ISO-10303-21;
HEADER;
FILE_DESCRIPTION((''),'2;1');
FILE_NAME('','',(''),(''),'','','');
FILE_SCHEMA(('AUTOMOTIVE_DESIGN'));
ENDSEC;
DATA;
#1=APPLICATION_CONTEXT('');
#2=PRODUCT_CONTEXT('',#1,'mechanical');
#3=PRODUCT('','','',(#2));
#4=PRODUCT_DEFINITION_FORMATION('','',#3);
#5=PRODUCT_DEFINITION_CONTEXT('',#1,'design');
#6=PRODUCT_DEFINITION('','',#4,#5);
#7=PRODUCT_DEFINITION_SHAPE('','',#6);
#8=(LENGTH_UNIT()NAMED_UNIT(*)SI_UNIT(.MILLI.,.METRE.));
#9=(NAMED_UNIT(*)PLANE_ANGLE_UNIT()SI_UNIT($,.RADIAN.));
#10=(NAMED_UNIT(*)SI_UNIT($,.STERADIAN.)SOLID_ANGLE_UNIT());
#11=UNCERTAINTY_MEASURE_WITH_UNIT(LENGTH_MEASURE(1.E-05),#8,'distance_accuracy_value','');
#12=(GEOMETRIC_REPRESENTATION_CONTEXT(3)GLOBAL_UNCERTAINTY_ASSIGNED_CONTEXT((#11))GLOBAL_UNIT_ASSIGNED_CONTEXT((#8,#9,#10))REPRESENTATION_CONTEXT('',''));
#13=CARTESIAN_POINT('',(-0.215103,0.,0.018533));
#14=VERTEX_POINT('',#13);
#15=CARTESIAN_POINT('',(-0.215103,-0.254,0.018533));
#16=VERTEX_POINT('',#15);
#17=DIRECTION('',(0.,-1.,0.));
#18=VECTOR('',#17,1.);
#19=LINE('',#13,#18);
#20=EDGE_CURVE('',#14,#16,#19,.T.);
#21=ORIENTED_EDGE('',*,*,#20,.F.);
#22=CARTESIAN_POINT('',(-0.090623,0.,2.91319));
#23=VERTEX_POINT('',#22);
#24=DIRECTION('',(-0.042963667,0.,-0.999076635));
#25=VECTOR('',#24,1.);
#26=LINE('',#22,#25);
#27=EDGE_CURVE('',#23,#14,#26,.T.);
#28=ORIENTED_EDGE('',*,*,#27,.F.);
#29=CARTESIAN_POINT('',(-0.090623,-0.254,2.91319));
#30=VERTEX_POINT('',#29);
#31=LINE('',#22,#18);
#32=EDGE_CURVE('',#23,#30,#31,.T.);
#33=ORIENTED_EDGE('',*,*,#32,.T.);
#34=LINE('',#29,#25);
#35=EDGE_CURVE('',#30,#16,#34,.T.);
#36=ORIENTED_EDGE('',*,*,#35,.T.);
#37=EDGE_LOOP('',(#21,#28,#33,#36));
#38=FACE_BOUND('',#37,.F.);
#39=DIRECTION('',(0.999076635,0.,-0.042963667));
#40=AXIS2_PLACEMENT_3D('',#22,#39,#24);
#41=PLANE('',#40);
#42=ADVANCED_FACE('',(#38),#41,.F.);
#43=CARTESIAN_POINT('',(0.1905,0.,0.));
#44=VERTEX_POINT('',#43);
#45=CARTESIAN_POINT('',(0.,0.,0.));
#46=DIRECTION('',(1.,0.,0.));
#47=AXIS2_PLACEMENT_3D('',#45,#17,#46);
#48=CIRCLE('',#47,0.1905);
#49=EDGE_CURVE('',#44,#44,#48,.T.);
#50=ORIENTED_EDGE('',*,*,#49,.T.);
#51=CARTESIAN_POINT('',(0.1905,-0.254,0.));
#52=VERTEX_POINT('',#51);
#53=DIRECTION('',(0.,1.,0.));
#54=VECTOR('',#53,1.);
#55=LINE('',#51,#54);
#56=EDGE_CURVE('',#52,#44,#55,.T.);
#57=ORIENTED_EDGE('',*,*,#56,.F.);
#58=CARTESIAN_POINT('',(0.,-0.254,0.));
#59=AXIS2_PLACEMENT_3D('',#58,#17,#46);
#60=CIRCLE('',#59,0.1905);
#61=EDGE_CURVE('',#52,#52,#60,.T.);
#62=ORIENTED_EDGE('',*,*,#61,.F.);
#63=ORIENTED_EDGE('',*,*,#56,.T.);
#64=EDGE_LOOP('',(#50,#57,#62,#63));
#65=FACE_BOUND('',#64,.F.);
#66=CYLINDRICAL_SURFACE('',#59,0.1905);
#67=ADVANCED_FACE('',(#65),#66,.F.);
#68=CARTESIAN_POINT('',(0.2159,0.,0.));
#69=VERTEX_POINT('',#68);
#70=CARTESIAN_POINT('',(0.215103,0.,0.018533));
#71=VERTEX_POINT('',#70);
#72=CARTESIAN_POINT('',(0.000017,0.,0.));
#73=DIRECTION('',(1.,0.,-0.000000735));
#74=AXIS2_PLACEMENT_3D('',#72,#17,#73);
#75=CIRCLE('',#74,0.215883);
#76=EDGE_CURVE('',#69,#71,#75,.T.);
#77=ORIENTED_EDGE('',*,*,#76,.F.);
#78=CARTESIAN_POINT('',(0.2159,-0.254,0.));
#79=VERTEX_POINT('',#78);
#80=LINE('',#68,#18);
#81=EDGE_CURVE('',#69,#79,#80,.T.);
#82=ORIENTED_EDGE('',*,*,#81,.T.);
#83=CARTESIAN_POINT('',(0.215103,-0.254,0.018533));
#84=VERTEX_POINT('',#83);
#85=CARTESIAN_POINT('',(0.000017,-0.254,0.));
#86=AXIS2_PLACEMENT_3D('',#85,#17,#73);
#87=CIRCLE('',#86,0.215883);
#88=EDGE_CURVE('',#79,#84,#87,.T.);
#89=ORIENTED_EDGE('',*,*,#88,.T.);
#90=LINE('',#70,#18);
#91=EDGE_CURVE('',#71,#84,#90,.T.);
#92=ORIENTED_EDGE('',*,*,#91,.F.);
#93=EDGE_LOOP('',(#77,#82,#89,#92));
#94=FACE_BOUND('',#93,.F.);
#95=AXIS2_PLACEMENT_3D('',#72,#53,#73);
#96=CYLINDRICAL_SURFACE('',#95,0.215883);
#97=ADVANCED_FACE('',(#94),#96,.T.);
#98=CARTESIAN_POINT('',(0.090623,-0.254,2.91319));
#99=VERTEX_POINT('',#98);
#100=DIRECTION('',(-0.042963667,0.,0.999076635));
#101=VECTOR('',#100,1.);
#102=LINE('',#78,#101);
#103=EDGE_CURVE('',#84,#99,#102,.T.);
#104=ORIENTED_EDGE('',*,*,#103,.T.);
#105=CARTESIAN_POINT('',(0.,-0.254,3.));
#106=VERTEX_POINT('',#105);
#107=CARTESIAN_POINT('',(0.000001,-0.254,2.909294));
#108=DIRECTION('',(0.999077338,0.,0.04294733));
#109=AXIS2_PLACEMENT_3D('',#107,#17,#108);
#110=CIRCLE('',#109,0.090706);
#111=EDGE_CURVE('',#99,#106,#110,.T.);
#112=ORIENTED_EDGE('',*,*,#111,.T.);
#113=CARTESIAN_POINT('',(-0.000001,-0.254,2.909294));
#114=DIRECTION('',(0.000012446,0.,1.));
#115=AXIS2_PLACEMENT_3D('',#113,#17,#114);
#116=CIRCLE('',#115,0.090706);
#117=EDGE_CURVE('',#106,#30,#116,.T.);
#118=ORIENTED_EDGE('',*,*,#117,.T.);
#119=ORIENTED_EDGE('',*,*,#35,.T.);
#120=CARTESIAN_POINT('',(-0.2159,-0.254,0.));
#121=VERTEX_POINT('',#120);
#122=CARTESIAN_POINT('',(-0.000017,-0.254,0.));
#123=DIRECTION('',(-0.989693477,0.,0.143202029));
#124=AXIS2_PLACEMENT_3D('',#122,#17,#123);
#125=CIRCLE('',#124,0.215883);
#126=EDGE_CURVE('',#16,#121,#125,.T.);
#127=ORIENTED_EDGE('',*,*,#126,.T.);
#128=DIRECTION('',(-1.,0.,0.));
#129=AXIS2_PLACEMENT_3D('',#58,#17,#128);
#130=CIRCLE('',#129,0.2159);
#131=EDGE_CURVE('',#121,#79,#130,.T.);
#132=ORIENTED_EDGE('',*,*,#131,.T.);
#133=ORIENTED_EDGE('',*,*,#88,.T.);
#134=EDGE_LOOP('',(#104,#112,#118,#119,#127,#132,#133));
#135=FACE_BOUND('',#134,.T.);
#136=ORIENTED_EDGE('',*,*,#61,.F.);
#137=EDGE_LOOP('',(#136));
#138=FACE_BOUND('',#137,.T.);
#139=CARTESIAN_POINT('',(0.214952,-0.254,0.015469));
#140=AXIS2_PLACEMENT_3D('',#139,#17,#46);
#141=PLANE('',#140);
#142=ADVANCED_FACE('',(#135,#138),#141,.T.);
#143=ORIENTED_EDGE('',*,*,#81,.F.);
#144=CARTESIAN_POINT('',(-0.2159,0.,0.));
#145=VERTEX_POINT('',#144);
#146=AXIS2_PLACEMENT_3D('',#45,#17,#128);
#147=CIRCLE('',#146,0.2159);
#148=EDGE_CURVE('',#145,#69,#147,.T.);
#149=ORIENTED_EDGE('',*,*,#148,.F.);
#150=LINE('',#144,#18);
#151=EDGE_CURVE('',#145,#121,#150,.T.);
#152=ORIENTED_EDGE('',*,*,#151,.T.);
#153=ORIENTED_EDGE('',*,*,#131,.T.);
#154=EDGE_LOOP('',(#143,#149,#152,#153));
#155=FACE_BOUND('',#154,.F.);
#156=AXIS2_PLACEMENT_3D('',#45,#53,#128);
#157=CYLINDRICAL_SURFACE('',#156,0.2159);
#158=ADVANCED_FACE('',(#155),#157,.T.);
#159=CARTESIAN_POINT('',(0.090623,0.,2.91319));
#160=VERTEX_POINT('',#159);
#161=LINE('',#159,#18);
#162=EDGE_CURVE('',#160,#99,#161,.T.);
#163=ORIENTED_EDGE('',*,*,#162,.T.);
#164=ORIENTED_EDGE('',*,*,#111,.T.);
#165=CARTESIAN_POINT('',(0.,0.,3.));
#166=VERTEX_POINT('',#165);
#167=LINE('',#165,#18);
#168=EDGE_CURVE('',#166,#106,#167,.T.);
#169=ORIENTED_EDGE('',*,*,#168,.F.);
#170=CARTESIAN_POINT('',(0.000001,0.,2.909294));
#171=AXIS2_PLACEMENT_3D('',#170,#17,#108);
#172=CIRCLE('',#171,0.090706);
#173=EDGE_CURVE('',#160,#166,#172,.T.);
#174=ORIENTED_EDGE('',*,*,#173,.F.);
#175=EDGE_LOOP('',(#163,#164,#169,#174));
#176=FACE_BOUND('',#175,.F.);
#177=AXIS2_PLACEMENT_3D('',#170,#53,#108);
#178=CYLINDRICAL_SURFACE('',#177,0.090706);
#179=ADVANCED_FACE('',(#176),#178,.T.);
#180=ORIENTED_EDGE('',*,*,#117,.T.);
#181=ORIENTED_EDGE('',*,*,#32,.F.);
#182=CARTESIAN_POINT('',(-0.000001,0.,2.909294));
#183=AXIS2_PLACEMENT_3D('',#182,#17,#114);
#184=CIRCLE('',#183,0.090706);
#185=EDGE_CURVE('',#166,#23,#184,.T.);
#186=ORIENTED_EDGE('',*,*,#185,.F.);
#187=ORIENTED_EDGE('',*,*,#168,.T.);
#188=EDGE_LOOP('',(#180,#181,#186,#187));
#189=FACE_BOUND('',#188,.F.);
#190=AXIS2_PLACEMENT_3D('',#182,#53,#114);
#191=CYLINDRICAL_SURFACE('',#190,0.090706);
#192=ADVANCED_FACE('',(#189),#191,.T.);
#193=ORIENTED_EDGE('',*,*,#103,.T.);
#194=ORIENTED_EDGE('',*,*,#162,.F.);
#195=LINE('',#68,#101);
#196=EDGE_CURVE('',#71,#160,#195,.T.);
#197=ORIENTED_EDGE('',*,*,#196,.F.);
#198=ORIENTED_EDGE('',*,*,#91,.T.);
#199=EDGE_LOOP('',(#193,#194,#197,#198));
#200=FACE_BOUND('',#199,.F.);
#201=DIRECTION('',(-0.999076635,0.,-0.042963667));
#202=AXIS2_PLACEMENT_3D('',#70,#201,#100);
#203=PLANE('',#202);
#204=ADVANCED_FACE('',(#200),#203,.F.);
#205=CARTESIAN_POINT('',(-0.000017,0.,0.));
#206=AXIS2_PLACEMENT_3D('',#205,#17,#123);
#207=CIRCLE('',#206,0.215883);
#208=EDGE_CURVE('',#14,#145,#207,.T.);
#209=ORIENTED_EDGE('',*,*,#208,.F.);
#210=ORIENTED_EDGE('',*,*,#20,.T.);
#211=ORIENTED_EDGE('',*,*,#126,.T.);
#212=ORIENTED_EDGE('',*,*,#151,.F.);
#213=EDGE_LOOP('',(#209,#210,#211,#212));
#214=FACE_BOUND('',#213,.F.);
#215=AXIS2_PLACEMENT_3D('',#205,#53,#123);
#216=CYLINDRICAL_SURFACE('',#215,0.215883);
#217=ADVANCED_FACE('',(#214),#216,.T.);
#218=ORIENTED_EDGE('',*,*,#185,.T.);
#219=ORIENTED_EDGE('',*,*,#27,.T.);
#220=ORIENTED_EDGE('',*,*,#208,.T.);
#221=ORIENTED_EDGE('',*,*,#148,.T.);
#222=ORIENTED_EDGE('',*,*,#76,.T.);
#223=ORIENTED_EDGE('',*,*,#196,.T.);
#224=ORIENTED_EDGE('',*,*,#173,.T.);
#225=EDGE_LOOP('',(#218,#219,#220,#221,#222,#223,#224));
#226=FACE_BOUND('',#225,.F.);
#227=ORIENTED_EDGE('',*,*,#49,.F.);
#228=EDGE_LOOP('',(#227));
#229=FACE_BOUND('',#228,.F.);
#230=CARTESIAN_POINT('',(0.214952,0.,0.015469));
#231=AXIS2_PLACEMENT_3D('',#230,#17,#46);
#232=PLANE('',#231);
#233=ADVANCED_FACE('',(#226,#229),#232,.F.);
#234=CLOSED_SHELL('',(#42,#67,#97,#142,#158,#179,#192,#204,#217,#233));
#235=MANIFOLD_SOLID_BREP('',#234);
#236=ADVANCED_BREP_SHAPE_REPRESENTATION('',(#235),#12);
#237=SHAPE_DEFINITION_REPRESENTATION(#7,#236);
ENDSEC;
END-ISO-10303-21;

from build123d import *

# Parameters (mm, degrees)
F1_DEPTH = 0.254
F2_R     = 0.1905
F3_DEPTH = 0.255


with BuildPart() as f1:
    # F0 (on Front) → F1 (new body)
    with BuildSketch(Plane.XZ):
        with BuildLine():
            Line((0.213675, 0.030915), (0.2159, 0))
            ThreePointArc((0.2159, 0), (0.215343, 0.015498), (0.213675, 0.030915))
        make_face()
        with BuildLine():
            Line((-0.2159, 0), (-0.213675, 0.030915))
            ThreePointArc((-0.213675, 0.030915), (-0.215343, 0.015498), (-0.2159, 0))
        make_face()
        with BuildLine():
            Line((-0.090623, 2.91319), (-0.2159, 0))
            ThreePointArc((-0.2159, 0), (0, -0.2159), (0.2159, 0))
            Line((0.2159, 0), (0.090623, 2.91319))
            ThreePointArc((0.090623, 2.91319), (0.062747, 2.974796), (0, 3))
            ThreePointArc((0, 3), (-0.062747, 2.974796), (-0.090623, 2.91319))
        make_face()
    extrude(amount=F1_DEPTH)

    # F2 (on face) → F3 (cut, through all)
    with BuildSketch(Plane.XZ.offset(0.254)):
        Circle(F2_R)
    extrude(amount=-F3_DEPTH, mode=Mode.SUBTRACT)


solid = f1.part
